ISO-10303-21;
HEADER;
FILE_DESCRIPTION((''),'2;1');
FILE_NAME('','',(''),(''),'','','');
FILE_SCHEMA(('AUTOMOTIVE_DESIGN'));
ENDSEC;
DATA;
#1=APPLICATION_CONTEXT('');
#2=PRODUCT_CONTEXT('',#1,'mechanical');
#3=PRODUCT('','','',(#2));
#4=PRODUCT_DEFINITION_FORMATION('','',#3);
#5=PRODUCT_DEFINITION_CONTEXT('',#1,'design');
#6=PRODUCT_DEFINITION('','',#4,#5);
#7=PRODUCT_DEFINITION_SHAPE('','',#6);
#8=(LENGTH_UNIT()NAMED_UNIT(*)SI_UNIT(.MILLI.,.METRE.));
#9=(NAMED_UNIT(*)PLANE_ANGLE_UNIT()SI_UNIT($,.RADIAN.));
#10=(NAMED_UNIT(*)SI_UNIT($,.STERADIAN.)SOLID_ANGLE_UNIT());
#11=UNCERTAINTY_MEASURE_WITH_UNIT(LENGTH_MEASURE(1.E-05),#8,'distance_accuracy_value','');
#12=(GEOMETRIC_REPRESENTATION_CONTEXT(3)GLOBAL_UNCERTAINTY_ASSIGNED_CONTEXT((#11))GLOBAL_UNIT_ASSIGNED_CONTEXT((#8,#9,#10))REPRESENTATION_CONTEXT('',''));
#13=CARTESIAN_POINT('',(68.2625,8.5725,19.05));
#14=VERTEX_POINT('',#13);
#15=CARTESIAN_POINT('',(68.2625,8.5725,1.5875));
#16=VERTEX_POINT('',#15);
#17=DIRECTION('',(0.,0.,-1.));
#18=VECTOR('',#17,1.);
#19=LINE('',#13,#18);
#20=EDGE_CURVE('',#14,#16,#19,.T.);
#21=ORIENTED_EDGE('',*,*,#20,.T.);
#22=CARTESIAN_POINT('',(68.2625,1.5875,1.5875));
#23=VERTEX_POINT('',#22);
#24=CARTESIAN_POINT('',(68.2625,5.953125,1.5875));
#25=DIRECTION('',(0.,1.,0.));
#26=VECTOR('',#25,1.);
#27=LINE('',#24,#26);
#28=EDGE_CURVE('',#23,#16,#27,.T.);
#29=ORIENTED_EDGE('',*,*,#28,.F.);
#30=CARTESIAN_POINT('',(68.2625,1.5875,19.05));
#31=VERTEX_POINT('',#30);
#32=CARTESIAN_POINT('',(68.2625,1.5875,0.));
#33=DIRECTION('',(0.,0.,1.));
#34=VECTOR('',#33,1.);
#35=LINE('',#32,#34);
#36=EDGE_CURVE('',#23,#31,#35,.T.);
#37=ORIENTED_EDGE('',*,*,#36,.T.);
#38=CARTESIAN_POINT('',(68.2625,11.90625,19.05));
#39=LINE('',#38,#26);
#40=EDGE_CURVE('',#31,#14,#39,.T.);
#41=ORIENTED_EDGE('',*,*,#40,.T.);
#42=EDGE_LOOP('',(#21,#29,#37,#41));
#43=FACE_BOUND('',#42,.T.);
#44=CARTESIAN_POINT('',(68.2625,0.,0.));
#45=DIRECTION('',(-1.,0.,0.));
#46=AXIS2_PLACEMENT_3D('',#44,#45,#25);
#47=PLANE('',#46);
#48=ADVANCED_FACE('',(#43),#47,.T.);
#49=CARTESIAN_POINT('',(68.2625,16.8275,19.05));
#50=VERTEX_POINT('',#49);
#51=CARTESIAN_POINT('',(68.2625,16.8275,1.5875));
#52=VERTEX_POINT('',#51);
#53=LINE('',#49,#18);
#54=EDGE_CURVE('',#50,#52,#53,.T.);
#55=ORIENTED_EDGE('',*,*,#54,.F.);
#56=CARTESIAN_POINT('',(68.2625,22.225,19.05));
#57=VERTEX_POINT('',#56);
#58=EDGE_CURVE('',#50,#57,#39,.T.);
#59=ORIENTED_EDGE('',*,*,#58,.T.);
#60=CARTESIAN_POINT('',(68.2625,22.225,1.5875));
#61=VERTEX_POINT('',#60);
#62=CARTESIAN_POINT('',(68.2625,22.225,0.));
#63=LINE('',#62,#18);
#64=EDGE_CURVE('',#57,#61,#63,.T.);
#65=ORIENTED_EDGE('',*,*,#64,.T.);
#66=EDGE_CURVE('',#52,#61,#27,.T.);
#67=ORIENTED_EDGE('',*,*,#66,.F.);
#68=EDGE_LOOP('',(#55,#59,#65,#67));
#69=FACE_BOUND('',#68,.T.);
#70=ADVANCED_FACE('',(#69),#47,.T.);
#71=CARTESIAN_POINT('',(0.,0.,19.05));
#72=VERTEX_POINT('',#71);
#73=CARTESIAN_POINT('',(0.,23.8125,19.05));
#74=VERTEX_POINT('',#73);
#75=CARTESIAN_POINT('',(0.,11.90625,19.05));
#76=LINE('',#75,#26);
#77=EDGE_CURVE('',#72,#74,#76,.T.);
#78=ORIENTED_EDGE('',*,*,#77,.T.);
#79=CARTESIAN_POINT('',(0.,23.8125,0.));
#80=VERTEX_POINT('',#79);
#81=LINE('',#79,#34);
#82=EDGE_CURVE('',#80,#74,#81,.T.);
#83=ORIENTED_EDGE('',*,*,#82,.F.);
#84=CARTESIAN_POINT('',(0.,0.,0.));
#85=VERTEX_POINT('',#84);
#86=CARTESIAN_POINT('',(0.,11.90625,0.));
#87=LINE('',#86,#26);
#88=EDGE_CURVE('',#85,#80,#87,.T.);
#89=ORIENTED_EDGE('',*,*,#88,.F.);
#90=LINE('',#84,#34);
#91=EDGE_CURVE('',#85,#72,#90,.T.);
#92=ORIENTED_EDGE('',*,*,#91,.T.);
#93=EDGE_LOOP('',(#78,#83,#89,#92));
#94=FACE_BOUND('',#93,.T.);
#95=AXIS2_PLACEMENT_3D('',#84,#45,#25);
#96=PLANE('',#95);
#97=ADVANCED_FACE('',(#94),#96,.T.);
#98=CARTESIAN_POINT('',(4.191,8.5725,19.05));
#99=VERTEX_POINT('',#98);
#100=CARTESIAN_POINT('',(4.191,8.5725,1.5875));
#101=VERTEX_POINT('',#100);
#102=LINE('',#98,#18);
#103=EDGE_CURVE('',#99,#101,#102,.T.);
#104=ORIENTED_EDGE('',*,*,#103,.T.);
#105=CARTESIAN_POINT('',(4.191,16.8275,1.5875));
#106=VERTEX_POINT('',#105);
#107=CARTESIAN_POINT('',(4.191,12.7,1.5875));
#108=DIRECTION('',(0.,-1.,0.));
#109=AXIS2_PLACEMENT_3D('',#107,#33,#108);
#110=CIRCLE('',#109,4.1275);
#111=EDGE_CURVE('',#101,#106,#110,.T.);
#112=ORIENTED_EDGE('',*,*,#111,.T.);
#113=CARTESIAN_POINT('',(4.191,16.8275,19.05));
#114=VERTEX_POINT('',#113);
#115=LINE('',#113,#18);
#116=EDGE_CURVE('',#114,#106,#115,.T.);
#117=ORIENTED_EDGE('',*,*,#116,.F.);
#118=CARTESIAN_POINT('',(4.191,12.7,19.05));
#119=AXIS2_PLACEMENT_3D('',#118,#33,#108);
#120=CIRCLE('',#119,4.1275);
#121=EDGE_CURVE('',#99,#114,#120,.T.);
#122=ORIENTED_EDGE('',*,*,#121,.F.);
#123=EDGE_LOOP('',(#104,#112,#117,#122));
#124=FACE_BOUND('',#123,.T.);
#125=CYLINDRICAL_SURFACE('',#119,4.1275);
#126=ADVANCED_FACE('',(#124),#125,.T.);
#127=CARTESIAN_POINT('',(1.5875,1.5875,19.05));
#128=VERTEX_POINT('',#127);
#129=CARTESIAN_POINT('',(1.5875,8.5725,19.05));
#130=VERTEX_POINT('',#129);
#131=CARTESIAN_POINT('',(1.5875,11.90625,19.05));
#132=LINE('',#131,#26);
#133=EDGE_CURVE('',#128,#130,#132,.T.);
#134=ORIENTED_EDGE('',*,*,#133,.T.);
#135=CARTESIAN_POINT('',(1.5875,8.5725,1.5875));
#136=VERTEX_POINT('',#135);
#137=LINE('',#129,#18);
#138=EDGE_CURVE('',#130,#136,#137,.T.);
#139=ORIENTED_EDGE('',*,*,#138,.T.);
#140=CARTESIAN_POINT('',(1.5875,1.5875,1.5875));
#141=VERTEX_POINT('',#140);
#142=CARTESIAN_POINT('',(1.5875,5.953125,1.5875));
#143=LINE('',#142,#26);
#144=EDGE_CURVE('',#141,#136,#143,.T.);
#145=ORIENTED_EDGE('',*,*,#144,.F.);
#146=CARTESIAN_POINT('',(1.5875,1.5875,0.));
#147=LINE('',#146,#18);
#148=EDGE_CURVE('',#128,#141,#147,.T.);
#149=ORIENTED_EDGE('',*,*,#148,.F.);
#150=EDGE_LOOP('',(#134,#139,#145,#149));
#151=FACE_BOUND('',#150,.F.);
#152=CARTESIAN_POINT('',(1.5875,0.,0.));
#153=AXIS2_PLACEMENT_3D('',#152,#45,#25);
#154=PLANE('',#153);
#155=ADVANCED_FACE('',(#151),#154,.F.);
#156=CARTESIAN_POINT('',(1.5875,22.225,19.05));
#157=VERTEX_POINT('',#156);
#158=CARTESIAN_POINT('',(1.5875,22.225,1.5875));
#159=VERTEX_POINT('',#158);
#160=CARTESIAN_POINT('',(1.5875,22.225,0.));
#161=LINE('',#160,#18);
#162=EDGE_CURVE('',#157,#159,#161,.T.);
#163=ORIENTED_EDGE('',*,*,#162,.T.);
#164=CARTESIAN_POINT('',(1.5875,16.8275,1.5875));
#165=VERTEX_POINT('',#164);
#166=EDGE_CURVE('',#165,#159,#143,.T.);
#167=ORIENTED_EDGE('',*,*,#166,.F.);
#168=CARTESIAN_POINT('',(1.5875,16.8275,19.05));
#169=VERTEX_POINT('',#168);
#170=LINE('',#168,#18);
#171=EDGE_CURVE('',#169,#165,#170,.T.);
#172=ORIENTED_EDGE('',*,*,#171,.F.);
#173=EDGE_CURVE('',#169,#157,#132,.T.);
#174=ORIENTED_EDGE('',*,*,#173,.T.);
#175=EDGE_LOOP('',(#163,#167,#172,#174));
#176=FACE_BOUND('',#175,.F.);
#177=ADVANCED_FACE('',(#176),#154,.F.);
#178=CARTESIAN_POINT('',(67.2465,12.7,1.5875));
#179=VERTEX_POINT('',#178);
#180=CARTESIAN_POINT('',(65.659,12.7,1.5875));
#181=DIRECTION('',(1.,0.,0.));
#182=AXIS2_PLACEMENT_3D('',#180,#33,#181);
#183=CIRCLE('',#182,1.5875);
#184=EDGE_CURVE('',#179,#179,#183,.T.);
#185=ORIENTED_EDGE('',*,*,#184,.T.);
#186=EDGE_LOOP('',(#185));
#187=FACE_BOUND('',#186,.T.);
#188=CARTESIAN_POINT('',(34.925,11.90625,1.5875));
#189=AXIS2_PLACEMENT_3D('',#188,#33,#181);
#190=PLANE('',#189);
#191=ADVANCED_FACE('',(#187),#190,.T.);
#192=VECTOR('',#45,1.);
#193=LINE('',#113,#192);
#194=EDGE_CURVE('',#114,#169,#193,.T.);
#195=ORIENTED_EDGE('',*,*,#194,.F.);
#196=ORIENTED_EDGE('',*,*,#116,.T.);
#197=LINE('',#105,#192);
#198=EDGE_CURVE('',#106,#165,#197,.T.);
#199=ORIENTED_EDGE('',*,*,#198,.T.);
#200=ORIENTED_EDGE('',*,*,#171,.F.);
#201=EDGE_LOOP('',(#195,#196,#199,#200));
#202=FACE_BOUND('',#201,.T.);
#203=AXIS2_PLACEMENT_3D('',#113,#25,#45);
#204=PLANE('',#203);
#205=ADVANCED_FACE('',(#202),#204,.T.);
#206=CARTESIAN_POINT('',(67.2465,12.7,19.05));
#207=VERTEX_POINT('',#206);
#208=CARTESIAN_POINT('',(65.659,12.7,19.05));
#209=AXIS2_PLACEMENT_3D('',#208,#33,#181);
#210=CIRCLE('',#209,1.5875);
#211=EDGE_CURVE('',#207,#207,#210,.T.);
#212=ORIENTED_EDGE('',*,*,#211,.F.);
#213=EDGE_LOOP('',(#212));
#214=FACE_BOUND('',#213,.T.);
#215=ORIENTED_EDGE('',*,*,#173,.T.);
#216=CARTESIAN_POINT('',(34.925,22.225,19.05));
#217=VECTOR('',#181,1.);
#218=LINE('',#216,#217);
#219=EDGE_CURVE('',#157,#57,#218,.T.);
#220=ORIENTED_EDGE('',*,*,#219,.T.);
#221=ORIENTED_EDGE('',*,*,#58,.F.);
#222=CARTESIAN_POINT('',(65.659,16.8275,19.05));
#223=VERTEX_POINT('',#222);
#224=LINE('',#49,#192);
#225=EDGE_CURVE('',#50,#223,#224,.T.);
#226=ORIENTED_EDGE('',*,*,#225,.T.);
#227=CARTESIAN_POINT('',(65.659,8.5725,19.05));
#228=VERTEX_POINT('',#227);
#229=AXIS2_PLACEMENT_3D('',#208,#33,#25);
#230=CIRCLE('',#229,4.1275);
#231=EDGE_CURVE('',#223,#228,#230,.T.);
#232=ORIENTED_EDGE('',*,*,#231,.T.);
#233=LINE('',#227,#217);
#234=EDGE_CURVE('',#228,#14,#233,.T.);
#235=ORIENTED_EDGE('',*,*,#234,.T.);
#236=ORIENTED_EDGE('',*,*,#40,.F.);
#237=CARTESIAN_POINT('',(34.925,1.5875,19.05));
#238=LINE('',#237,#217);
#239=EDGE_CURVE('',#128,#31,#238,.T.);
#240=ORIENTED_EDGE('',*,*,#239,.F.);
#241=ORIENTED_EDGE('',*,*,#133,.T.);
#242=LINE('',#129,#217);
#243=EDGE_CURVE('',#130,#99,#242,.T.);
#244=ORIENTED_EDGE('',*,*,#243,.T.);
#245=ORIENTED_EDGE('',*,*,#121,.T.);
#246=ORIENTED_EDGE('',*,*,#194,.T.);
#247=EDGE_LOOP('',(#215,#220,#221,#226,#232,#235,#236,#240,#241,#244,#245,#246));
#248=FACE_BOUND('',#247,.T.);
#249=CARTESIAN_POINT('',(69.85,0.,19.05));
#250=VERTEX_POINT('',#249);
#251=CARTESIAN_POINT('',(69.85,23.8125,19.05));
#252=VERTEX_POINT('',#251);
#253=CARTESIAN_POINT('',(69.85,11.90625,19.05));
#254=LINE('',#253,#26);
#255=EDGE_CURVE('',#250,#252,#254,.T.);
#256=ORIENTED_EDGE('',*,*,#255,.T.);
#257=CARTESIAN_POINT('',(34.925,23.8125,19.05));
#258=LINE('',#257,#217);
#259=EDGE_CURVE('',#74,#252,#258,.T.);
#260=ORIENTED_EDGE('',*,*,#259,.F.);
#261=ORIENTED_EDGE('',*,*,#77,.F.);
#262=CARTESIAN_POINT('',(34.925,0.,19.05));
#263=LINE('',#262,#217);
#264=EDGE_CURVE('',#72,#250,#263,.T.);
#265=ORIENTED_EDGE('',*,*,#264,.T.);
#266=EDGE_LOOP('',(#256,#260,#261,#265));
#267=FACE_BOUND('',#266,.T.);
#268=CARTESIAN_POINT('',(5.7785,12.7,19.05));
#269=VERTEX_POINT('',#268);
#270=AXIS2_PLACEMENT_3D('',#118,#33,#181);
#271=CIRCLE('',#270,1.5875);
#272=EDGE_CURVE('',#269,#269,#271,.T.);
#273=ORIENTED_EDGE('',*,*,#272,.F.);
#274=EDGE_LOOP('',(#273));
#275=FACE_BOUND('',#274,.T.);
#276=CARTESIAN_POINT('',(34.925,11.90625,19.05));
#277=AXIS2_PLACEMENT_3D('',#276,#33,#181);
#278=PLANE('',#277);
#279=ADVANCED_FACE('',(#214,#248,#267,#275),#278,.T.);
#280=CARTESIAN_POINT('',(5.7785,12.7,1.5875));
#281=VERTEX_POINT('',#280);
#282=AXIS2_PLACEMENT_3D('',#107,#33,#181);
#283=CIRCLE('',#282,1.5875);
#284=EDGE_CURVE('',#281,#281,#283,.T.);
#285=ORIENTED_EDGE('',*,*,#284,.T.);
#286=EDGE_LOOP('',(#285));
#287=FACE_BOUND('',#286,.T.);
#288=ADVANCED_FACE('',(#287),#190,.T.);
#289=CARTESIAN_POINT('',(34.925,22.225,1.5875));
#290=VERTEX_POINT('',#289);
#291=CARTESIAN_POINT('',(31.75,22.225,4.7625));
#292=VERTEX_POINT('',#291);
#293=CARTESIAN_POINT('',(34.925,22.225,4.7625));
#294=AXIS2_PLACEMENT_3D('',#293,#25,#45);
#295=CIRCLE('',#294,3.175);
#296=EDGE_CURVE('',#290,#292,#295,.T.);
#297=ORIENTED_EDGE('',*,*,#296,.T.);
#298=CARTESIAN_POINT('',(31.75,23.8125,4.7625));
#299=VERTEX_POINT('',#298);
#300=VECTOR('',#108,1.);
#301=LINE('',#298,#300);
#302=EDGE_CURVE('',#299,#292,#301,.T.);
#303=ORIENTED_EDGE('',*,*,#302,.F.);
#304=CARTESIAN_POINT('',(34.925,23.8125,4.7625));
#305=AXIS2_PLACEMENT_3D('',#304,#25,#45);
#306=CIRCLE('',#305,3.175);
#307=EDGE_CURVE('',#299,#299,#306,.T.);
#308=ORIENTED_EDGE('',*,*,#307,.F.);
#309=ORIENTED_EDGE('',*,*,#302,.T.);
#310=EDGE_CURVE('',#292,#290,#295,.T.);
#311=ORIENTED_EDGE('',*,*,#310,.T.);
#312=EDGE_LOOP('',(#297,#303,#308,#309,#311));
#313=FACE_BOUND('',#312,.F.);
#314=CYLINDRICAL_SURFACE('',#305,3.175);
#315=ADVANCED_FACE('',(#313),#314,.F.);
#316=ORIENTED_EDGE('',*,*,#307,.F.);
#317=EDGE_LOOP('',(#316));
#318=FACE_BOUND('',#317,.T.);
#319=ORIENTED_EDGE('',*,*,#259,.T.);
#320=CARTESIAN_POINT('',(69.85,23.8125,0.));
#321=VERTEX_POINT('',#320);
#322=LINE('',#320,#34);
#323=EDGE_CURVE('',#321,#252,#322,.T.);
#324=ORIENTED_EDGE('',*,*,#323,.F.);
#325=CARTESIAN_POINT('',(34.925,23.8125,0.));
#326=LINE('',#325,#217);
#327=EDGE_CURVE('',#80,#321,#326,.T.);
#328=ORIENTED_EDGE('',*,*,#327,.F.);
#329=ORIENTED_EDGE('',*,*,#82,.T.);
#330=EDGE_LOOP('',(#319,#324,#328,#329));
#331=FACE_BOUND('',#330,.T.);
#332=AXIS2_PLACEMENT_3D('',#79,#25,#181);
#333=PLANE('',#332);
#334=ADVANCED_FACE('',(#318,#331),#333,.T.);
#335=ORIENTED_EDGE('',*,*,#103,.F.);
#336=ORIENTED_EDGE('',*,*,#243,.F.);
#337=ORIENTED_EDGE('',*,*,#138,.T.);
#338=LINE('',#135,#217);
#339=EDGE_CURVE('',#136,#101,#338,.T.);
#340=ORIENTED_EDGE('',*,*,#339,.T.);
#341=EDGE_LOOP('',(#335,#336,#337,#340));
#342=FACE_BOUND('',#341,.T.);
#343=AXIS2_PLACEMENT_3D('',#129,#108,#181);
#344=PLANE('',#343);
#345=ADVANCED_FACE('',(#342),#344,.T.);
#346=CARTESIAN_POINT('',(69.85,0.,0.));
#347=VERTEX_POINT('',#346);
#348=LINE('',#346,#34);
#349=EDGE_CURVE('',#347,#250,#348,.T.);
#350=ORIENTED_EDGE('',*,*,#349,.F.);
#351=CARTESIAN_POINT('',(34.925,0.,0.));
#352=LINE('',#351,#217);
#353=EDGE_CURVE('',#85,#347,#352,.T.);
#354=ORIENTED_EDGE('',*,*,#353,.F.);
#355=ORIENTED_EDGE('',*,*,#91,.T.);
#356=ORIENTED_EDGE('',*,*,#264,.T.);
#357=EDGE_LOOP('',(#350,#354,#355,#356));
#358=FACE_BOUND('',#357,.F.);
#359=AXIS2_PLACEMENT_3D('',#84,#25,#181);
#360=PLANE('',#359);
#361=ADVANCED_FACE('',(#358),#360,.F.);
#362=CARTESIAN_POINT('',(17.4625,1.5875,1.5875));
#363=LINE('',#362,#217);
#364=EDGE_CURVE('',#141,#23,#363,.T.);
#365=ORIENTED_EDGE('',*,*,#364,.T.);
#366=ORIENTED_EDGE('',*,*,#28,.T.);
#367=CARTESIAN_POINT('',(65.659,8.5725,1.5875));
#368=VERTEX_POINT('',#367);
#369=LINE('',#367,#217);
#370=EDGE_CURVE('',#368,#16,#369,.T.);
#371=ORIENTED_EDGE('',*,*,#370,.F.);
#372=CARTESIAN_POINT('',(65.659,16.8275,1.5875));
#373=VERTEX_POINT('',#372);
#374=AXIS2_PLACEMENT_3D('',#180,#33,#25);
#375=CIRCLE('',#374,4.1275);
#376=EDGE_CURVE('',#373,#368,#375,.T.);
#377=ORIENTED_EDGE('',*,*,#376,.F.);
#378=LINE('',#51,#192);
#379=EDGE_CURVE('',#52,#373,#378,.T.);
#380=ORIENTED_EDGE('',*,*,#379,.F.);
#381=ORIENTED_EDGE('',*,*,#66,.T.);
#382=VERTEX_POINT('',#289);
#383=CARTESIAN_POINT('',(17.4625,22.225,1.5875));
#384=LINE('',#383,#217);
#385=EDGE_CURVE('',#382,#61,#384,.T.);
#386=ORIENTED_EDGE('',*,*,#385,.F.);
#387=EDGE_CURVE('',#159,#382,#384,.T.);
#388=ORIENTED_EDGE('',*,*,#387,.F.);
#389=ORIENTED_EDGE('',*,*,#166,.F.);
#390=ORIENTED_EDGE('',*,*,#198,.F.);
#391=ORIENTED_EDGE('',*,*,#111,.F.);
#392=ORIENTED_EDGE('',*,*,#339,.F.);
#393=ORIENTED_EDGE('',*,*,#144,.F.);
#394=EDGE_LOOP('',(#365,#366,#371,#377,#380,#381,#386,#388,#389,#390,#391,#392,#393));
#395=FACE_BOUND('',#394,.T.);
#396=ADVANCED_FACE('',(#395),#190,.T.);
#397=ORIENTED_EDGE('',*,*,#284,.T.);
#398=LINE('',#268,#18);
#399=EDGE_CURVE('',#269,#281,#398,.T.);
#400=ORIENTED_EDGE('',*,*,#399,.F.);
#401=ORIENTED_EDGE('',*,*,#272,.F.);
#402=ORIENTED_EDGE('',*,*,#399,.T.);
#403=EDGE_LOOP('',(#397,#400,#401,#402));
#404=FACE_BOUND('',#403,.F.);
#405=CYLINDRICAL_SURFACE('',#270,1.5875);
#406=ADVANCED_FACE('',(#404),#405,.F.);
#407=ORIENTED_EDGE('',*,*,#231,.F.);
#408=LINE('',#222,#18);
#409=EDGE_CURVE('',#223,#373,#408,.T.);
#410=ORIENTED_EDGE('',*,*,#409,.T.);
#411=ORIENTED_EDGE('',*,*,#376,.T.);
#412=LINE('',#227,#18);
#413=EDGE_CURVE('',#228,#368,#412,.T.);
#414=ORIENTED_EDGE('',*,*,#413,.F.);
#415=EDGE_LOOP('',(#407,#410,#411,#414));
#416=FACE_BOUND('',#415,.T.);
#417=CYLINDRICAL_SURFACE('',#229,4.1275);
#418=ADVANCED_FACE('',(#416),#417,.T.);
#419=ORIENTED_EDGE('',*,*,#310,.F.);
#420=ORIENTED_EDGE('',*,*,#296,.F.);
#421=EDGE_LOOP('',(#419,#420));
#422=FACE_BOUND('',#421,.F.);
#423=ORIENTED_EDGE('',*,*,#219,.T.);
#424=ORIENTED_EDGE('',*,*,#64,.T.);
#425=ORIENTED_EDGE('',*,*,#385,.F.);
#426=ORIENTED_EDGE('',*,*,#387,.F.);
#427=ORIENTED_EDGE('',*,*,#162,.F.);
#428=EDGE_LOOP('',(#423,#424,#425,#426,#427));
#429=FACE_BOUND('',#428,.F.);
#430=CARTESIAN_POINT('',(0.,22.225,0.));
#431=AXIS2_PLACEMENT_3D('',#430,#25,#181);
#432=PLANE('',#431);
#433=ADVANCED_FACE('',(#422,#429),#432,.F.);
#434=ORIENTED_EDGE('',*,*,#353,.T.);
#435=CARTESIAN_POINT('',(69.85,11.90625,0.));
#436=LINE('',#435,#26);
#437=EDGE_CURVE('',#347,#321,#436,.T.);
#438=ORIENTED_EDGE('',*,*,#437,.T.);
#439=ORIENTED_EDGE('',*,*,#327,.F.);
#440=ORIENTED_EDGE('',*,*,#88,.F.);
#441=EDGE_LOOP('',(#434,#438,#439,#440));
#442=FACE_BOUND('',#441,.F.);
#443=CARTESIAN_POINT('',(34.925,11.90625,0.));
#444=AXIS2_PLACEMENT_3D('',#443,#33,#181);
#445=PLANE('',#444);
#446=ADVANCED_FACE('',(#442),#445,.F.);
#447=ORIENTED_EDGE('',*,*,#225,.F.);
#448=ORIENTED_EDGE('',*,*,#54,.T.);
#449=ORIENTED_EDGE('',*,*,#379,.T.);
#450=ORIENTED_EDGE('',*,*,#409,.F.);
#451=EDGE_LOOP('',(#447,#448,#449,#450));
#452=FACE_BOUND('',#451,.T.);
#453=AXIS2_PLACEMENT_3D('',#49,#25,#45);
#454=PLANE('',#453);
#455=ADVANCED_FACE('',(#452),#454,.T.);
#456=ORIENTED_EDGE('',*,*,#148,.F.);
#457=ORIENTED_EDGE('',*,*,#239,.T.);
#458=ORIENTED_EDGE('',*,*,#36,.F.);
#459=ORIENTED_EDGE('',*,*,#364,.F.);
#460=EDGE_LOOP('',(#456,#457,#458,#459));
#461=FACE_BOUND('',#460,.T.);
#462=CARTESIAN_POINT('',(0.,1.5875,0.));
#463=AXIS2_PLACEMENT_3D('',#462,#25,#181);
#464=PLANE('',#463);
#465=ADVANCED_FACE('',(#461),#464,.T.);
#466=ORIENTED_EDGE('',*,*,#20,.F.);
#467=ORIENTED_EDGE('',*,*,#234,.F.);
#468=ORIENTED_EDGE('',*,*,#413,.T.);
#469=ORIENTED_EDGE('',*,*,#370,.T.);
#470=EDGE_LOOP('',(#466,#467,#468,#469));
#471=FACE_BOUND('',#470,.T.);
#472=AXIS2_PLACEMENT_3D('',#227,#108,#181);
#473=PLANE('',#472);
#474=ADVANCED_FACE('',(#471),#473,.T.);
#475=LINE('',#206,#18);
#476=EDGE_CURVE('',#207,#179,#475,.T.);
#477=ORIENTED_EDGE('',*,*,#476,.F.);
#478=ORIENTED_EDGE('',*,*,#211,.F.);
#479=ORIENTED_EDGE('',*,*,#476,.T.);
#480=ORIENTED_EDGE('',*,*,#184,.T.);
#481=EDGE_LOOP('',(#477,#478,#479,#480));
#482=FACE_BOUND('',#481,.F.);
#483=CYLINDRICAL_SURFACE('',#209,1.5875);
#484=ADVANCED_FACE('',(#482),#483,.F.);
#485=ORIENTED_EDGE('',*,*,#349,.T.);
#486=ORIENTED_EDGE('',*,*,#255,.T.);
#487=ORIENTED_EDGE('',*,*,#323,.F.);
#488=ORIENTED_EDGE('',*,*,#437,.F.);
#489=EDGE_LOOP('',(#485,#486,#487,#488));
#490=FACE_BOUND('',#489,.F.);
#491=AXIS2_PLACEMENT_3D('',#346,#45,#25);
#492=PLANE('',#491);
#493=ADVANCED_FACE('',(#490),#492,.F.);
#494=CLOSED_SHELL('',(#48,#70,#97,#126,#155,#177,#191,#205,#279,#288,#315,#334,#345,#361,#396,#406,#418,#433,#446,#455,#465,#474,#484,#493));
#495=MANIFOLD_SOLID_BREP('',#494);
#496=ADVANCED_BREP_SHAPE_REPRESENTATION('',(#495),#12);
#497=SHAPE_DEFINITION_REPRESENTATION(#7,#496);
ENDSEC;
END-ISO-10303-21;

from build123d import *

# Parameters (mm, degrees)
F1_W     = 69.85
F1_H     = 23.8125
F2_DEPTH = 19.05
F3_T     = -1.5875
F4_R     = 1.5875
F5_DEPTH = 17.4625
F6_R     = 3.175
F7_DEPTH = 1.5875


with BuildPart() as f2:
    # F1 (on Top) → F2 (new body)
    with BuildSketch(Plane.XY):
        with Locations((34.925, 11.90625)):
            Rectangle(F1_W, F1_H)
    extrude(amount=F2_DEPTH)

    # F3
    f3_openings = [f2.faces().sort_by_distance(p)[0] for p in [
        (34.925, 11.90625, 19.05),
    ]]
    offset(amount=F3_T, openings=f3_openings)

    # F4 (on face) → F5 (join, through all)
    with BuildSketch(Plane.XY.offset(19.05)):
        with BuildLine():
            Line((1.5875, 8.5725), (4.191, 8.5725))
            ThreePointArc((4.191, 8.5725), (8.3185, 12.7), (4.191, 16.8275))
            Line((4.191, 16.8275), (1.5875, 16.8275))
            Line((1.5875, 16.8275), (1.5875, 8.5725))
        make_face()
        with Locations((4.191, 12.7)):
            Circle(F4_R, mode=Mode.SUBTRACT)
        with BuildLine():
            Line((65.659, 8.5725), (68.2625, 8.5725))
            Line((68.2625, 8.5725), (68.2625, 16.8275))
            Line((68.2625, 16.8275), (65.659, 16.8275))
            ThreePointArc((65.659, 16.8275), (61.5315, 12.7), (65.659, 8.5725))
        make_face()
        with Locations((65.659, 12.7)):
            Circle(F4_R, mode=Mode.SUBTRACT)
    extrude(amount=-F5_DEPTH)

    # F6 (on face) → F7 (cut, through all)
    with BuildSketch(Plane(origin=(0, 23.8125, 0), x_dir=(-1, 0, 0), z_dir=(0, 1, 0))):
        with Locations((-34.925, 4.7625)):
            Circle(F6_R)
    extrude(amount=-F7_DEPTH, mode=Mode.SUBTRACT)


solid = f2.part
